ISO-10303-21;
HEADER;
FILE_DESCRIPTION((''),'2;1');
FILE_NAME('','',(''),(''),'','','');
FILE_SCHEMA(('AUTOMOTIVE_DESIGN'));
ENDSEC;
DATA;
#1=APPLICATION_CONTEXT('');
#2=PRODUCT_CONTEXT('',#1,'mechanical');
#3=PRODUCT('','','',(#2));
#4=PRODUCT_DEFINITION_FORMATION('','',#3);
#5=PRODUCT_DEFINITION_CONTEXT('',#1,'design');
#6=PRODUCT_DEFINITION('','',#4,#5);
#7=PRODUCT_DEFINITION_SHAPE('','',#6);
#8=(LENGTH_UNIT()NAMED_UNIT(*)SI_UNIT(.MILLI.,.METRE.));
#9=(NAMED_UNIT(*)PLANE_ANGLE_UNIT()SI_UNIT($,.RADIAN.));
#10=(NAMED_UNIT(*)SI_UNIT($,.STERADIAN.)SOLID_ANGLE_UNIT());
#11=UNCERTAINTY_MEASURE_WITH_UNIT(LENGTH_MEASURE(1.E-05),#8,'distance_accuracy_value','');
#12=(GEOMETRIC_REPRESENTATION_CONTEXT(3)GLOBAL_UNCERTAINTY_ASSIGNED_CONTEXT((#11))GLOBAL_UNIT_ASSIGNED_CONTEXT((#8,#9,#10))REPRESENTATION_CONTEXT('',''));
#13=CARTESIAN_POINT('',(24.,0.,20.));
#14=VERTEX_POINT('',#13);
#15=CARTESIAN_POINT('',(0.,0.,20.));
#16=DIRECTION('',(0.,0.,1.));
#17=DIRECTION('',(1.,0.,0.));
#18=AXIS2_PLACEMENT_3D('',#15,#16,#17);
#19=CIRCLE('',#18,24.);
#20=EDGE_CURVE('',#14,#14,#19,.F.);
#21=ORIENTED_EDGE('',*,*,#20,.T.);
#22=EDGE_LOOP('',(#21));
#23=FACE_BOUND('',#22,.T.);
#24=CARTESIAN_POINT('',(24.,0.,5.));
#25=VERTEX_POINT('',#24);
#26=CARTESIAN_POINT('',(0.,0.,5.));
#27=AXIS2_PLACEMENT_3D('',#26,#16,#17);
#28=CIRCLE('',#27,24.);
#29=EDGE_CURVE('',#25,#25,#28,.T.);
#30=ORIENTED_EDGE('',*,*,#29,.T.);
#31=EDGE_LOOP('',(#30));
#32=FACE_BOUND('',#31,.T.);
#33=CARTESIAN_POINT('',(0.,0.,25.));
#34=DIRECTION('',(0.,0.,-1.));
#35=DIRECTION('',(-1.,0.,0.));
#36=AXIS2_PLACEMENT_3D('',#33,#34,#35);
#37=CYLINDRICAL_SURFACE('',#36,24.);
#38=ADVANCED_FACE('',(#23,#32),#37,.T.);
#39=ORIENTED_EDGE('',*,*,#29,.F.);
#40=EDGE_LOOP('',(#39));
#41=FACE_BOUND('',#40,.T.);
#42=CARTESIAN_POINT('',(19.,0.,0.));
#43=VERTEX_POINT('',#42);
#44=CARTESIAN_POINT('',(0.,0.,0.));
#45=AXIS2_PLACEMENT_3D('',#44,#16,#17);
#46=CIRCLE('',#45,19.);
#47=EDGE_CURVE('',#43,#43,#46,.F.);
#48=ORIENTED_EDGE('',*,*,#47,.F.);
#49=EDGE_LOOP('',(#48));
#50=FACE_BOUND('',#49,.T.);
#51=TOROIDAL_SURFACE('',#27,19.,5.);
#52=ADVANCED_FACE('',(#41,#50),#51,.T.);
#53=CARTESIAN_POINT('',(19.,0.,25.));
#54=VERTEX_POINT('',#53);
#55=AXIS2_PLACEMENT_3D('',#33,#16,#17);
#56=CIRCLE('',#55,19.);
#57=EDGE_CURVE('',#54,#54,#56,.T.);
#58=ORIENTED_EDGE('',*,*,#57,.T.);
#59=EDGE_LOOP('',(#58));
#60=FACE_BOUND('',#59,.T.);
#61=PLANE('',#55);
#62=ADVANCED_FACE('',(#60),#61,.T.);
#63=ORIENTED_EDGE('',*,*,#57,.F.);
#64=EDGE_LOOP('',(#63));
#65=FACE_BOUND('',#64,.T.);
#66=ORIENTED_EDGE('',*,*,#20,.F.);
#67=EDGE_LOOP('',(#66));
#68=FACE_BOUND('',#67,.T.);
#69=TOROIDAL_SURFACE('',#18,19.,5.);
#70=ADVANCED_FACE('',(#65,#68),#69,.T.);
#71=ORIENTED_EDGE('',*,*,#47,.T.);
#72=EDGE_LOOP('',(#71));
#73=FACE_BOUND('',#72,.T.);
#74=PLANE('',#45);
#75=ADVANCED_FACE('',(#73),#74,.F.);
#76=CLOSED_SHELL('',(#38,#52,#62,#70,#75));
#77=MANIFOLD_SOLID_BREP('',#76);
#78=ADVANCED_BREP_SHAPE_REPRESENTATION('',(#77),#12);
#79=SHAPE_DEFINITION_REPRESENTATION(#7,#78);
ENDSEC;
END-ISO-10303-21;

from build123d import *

# Parameters (mm, degrees)
SKETCH_1_R      = 24
EXTRUDE_1_DEPTH = 25
FILLET_1_R      = 5


with BuildPart() as part:
    # ｽｹｯﾁ1 → ﾎﾞｽ - 押し出し1 (new body)
    with BuildSketch(Plane.XY):
        Circle(SKETCH_1_R)
    extrude(amount=EXTRUDE_1_DEPTH)

    # ﾌｨﾚｯﾄ1
    fillet_1_edges = [part.edges().sort_by_distance(p)[0] for p in [
        (-24, 0, 0),
        (-24, 0, 25),
    ]]
    fillet(fillet_1_edges, radius=FILLET_1_R)


solid = part.part
